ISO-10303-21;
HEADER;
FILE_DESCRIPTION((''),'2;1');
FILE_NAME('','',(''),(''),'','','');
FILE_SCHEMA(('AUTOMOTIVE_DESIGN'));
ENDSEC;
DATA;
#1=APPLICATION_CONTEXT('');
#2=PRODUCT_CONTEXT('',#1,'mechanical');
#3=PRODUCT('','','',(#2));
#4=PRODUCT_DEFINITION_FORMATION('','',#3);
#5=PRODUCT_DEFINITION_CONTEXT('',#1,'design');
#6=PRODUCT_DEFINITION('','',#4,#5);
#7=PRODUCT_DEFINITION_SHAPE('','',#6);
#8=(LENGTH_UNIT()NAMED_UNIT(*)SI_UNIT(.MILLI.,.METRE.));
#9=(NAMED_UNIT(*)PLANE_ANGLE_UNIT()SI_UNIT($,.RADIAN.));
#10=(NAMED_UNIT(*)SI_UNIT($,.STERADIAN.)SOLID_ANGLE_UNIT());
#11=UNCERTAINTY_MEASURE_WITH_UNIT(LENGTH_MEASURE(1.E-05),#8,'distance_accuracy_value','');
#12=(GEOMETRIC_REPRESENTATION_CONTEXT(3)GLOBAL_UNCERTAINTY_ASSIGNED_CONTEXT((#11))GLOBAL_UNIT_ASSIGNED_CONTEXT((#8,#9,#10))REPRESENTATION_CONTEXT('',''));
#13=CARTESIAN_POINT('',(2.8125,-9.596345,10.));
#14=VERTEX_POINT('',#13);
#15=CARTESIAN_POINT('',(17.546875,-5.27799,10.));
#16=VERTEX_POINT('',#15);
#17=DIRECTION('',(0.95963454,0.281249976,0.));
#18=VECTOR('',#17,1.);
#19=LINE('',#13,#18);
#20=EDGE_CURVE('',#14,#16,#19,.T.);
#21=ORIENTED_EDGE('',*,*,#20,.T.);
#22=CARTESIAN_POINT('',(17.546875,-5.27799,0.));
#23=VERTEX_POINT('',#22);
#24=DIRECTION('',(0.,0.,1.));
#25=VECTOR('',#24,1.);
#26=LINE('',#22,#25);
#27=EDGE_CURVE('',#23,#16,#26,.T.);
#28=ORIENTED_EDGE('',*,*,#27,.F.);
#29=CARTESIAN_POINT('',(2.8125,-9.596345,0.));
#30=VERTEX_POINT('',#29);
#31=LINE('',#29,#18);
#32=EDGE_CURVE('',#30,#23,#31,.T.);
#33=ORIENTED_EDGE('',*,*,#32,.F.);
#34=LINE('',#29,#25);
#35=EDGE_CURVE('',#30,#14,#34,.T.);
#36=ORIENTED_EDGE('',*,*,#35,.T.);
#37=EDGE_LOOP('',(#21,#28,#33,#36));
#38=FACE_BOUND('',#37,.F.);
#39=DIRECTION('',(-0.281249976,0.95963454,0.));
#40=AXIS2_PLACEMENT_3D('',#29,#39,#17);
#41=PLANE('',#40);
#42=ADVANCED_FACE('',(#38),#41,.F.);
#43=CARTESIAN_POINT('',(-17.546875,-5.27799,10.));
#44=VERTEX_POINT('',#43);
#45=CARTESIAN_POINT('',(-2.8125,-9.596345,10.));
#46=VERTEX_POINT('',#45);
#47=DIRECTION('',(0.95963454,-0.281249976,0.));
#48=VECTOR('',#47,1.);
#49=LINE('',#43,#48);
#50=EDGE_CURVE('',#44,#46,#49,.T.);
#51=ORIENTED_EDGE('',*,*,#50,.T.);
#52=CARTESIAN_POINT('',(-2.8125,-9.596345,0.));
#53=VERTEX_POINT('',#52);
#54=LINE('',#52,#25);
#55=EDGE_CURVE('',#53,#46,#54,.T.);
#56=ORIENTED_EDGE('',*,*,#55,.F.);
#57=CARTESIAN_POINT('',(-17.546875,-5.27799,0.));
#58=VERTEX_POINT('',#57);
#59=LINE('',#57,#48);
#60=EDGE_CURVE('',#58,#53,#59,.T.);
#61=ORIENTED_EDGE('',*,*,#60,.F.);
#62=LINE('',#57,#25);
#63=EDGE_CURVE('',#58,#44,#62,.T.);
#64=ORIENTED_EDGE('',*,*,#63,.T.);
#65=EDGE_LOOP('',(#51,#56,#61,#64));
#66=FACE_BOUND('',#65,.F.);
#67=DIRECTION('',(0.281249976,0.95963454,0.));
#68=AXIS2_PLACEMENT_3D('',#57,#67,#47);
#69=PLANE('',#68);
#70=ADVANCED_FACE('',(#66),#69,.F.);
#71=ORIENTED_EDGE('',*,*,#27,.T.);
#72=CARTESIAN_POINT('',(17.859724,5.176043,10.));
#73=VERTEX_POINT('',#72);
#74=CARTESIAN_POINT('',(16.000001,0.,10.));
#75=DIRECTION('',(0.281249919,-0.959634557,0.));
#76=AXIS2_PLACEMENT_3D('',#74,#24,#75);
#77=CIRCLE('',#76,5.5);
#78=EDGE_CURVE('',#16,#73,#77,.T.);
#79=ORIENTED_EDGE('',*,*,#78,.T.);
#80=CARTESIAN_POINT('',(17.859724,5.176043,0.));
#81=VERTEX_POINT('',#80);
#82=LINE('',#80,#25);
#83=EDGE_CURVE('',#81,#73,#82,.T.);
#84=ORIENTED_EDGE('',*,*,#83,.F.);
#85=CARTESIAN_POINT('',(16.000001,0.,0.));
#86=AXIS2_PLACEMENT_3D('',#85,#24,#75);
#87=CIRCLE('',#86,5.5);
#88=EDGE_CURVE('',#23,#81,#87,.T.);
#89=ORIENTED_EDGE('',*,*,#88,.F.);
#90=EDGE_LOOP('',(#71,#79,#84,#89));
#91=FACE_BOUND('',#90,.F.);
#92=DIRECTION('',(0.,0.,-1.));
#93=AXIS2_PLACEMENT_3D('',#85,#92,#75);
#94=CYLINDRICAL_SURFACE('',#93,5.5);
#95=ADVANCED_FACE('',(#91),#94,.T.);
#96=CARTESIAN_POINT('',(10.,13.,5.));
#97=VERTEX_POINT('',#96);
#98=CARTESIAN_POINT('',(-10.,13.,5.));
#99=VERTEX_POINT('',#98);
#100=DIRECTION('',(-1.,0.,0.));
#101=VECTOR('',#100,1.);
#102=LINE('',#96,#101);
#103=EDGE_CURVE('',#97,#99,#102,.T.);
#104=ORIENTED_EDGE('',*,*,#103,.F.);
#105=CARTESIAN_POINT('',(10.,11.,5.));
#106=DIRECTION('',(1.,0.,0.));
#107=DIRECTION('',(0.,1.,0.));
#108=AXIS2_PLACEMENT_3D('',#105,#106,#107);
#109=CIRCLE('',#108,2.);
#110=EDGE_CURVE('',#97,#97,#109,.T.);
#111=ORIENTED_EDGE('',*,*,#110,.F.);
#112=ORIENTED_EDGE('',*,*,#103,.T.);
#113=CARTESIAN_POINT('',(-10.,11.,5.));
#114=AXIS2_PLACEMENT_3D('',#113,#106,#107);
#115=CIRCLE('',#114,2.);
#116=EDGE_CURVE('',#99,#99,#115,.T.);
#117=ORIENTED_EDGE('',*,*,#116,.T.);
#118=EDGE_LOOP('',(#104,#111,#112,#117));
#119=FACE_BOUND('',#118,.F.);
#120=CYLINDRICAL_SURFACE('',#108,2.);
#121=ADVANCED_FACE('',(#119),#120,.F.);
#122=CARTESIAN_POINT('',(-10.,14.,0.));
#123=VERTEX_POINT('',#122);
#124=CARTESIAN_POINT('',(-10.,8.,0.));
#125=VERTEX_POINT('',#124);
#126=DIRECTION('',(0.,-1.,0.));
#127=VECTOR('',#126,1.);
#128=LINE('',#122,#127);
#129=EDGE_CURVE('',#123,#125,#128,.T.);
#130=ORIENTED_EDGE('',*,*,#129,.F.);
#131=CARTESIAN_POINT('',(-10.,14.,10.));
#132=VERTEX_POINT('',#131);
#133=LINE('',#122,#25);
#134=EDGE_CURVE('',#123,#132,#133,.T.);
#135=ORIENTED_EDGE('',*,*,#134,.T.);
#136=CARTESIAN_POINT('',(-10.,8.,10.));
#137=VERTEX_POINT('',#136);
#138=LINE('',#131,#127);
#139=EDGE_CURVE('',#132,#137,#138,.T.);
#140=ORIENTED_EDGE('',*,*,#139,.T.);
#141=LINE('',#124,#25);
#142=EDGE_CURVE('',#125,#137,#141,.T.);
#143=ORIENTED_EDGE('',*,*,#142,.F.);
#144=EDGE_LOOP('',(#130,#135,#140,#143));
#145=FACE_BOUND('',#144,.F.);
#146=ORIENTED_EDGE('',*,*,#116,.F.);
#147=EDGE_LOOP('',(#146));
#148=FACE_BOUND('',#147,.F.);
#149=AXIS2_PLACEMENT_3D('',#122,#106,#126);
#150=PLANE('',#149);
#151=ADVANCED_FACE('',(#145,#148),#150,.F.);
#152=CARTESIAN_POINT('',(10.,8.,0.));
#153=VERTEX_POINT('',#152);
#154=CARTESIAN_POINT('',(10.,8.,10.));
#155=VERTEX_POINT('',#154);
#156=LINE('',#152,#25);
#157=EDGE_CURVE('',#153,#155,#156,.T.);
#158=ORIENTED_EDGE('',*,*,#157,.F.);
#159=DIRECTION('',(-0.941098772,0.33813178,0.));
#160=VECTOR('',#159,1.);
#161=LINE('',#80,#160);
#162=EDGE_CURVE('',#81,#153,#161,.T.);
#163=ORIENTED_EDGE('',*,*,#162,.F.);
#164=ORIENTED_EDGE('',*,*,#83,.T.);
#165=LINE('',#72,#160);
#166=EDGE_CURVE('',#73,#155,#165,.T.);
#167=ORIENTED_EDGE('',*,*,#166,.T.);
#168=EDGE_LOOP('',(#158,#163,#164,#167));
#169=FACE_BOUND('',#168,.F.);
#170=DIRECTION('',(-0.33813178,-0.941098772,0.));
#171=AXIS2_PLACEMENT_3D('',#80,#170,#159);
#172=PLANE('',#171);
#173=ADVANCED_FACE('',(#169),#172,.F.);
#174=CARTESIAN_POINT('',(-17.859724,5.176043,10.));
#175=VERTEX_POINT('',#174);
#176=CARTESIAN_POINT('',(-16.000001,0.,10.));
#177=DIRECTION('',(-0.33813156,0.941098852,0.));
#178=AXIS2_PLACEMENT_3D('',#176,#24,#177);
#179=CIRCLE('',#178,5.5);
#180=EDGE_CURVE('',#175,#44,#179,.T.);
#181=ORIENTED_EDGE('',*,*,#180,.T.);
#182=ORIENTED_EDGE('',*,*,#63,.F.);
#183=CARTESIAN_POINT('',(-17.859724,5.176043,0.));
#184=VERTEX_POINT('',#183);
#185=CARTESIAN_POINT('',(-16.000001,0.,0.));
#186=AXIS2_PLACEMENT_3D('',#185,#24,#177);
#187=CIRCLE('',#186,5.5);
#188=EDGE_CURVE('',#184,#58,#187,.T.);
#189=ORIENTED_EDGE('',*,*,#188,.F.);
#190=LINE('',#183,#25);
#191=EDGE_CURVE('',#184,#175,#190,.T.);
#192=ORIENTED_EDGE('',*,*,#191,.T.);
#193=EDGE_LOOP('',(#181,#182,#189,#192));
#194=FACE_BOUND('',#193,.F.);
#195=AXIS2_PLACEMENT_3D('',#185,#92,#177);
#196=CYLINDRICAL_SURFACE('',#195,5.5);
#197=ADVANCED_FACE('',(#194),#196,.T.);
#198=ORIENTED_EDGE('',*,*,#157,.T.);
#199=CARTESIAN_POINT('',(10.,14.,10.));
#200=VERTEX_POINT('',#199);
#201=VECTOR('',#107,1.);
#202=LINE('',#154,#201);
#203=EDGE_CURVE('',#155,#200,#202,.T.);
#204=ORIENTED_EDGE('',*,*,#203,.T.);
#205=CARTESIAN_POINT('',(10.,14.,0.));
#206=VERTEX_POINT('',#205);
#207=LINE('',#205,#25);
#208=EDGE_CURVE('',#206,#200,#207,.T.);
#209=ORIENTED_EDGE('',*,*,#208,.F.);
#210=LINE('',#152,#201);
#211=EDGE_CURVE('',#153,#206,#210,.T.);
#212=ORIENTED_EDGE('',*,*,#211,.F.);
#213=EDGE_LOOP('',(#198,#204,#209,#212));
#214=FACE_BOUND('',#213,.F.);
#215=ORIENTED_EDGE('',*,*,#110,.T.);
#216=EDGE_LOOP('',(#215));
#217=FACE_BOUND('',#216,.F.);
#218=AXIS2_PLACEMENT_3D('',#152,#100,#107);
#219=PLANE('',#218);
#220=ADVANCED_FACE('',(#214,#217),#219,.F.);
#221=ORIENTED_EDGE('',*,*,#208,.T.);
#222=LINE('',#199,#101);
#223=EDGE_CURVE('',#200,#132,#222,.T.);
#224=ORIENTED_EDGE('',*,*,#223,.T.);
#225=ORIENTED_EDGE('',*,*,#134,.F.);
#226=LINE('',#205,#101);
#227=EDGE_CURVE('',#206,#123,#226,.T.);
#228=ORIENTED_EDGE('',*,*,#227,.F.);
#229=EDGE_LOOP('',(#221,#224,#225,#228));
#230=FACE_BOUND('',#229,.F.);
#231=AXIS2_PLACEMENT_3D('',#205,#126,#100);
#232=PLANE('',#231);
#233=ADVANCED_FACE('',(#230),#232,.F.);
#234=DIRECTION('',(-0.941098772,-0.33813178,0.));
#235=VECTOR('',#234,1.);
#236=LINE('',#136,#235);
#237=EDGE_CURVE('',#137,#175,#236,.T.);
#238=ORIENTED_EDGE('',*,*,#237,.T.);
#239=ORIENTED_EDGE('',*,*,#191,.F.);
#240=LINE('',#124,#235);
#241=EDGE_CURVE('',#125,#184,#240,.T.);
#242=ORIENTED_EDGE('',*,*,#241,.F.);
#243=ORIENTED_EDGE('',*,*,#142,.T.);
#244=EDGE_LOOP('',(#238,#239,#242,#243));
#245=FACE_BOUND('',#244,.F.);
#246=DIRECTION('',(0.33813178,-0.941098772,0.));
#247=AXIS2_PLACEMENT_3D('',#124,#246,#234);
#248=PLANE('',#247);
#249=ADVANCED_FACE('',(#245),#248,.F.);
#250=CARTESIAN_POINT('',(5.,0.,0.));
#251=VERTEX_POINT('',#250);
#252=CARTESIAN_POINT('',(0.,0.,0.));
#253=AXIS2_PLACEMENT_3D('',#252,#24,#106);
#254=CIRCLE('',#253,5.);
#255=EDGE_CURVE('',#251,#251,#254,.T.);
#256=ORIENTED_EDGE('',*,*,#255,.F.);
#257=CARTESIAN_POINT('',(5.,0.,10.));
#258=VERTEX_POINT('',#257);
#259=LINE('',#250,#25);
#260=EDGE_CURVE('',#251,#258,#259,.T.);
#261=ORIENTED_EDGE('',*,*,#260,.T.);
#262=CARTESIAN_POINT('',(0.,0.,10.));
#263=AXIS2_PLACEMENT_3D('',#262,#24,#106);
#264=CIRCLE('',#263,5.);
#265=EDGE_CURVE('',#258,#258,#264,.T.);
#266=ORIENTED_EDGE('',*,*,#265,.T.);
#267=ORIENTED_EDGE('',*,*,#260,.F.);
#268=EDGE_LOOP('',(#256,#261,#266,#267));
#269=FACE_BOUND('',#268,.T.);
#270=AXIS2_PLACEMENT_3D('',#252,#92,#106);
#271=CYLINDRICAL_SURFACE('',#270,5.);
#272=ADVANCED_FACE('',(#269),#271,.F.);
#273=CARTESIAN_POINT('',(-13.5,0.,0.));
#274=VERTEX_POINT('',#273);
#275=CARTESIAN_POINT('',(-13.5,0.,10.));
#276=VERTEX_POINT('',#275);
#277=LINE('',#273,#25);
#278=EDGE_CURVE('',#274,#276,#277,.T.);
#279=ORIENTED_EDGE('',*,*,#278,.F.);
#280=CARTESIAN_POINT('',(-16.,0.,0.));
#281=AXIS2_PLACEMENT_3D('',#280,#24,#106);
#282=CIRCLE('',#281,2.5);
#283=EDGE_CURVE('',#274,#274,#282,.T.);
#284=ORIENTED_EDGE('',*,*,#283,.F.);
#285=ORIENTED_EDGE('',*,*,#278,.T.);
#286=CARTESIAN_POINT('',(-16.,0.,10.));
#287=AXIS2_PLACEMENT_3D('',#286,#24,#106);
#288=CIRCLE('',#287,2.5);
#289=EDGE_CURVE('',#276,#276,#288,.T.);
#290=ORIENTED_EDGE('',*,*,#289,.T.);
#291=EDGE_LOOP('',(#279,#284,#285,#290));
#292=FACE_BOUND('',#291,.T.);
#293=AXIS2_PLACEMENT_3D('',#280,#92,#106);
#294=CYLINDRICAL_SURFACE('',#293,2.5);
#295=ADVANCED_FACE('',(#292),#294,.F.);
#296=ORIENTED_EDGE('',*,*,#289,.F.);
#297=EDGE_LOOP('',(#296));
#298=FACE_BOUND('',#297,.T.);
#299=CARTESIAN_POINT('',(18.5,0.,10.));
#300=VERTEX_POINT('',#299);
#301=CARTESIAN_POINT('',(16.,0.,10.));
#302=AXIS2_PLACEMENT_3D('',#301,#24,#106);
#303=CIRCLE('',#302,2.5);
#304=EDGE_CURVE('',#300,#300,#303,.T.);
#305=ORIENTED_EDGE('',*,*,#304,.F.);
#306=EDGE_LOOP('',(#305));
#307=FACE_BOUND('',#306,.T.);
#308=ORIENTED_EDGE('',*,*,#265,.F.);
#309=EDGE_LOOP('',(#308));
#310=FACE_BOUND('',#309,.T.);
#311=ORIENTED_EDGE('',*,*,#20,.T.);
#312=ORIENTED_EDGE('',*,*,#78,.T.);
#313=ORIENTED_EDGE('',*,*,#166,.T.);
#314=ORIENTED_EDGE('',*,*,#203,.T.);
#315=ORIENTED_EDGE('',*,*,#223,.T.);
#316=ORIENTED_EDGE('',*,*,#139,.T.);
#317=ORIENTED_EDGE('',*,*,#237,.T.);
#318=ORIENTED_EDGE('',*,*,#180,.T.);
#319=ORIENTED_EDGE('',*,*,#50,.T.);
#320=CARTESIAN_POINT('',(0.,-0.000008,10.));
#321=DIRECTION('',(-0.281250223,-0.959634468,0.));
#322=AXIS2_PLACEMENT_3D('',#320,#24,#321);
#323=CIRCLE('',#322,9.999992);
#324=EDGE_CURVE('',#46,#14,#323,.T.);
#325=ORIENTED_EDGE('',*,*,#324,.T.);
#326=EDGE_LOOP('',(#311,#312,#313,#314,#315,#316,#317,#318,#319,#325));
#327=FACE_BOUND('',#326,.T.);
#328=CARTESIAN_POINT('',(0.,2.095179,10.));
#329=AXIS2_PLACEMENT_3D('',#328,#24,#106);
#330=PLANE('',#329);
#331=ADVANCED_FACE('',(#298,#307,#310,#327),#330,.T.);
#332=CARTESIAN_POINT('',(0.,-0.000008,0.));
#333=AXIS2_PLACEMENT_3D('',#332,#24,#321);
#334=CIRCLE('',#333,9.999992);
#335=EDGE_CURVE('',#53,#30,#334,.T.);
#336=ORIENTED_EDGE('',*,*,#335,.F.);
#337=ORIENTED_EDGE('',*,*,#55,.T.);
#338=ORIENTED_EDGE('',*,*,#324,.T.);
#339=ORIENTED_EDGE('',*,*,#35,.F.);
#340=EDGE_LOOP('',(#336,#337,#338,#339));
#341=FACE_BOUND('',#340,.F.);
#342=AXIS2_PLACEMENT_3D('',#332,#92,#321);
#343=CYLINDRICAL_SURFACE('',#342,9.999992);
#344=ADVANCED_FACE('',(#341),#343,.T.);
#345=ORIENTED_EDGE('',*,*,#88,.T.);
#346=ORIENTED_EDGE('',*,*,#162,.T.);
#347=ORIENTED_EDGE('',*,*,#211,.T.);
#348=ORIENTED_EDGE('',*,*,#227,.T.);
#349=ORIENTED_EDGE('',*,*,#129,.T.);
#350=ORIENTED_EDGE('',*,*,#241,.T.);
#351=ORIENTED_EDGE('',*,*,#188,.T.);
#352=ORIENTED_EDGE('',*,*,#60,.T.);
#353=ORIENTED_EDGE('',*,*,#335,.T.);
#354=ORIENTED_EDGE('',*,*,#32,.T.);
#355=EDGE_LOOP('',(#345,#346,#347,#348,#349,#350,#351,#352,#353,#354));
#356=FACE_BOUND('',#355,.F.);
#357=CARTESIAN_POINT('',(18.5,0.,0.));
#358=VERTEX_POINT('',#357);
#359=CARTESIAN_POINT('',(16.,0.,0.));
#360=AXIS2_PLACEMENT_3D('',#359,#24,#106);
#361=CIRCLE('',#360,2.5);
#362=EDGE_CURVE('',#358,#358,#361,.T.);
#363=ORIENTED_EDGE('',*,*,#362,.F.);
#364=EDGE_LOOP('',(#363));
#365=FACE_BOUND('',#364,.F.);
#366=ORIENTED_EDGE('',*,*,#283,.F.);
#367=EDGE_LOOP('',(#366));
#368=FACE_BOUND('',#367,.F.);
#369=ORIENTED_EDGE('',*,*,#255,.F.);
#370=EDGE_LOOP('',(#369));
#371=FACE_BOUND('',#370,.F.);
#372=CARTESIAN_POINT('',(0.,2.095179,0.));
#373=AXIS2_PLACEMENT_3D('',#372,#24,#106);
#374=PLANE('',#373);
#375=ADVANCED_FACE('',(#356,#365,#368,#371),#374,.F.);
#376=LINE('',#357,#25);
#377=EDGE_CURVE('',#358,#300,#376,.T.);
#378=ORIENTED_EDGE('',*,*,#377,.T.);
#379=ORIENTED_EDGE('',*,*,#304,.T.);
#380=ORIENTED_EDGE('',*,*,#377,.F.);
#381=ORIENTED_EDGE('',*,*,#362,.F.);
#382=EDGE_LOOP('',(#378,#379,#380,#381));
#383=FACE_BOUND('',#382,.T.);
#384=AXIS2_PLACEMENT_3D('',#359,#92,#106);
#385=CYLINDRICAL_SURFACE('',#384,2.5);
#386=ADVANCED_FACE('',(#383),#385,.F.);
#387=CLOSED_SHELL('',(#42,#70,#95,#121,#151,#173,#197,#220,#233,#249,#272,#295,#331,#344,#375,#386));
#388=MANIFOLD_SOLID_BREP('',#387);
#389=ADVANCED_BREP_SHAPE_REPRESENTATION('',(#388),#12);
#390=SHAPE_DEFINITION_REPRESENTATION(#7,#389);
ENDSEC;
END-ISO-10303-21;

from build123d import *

# Parameters (mm, degrees)
F0_R     = 2.5
F0_R_2   = 5
F1_DEPTH = 10
F2_R     = 2
F3_DEPTH = 25


with BuildPart() as f1:
    # F0 (on Top) → F1 (new body)
    with BuildSketch(Plane.XY):
        with BuildLine():
            ThreePointArc((-17.859724, 5.176043), (-21.497539, -0.16452), (-17.546875, -5.27799))
            Line((-17.546875, -5.27799), (-2.8125, -9.596345))
            ThreePointArc((-2.8125, -9.596345), (0, -10), (2.8125, -9.596345))
            Line((2.8125, -9.596345), (17.546875, -5.27799))
            ThreePointArc((17.546875, -5.27799), (21.497539, -0.16452), (17.859724, 5.176043))
            Line((17.859724, 5.176043), (10, 8))
            Line((10, 8), (10, 14))
            Line((10, 14), (0, 14))
            Line((0, 14), (-10, 14))
            Line((-10, 14), (-10, 8))
            Line((-10, 8), (-17.859724, 5.176043))
        make_face()
        with Locations((-16, 0)):
            Circle(F0_R, mode=Mode.SUBTRACT)
        Circle(F0_R_2, mode=Mode.SUBTRACT)
        with Locations((16, 0)):
            Circle(F0_R, mode=Mode.SUBTRACT)
    extrude(amount=F1_DEPTH)

    # F2 (on face) → F3 (cut)
    with BuildSketch(Plane.YZ.offset(10)):
        with Locations((11, 5)):
            Circle(F2_R)
    extrude(amount=-F3_DEPTH, mode=Mode.SUBTRACT)


solid = f1.part
